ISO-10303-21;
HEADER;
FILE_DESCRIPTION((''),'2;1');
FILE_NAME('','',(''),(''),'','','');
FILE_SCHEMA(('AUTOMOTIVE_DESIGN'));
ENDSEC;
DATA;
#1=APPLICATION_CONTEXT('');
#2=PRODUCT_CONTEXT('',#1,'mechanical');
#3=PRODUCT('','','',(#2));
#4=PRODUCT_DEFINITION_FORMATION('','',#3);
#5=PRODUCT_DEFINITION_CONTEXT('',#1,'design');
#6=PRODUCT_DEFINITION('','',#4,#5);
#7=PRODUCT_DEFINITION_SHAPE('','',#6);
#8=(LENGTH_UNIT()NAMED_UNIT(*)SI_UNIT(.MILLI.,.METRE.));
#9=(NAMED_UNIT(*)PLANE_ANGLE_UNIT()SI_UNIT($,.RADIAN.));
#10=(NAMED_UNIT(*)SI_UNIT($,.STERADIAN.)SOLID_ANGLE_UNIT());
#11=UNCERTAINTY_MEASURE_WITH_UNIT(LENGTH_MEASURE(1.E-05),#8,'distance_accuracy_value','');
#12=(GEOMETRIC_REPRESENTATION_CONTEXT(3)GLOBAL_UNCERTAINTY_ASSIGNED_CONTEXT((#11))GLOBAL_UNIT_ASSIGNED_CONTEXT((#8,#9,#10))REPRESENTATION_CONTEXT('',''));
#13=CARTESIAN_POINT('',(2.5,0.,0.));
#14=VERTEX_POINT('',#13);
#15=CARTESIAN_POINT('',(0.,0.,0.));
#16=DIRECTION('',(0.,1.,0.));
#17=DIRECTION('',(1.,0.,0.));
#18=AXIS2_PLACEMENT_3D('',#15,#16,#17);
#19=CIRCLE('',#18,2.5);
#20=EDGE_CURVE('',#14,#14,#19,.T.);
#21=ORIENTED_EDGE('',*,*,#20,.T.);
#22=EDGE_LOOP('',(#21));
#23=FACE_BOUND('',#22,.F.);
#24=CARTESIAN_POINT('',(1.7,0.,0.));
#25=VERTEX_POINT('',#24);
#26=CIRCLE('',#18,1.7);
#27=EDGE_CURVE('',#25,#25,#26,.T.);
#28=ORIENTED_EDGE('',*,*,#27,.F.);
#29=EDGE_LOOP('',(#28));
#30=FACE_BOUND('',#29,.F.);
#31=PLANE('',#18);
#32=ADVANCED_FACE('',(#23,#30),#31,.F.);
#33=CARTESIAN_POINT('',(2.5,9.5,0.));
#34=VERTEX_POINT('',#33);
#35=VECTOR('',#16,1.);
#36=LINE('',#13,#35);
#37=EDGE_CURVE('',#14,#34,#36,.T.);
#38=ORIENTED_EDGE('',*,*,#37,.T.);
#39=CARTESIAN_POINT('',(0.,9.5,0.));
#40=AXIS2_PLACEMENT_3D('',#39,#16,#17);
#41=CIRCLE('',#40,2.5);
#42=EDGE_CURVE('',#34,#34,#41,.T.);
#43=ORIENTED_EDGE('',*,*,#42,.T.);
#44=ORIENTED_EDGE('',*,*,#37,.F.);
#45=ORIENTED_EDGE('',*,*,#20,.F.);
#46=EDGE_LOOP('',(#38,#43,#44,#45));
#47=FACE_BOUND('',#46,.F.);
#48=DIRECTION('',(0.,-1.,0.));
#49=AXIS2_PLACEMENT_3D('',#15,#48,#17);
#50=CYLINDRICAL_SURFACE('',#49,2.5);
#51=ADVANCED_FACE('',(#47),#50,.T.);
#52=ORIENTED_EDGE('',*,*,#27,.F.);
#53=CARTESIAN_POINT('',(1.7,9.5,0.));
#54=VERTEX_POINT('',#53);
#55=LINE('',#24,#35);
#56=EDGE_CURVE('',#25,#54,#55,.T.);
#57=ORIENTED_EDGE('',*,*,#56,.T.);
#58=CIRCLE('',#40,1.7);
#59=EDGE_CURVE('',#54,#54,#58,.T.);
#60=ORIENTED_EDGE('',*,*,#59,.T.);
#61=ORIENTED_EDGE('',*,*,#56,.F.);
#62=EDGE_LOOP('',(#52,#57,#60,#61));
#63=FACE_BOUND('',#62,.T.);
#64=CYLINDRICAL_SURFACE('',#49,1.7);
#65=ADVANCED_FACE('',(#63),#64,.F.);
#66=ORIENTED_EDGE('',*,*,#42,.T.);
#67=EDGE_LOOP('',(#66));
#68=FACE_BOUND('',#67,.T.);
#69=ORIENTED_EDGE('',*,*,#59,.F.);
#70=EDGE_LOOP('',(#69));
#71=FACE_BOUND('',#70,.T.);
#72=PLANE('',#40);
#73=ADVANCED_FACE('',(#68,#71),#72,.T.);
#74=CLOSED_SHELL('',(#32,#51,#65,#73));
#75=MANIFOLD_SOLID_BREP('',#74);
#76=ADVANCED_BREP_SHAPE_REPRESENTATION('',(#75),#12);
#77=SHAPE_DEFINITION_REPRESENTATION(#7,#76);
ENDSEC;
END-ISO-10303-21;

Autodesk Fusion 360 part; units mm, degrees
sketch "Sketch1" plane through (0, 0, 0) normal (0, 1, 0) x (1, 0, 0)
  circle A0 centre (0, 0) radius 1.7
  circle A1 centre (0, 0) radius 2.5
  dimension "d1" = 3.4
  dimension "d2" = 5
extrude "Extrude1" add sketch "Sketch1" along normal blind 9.5
